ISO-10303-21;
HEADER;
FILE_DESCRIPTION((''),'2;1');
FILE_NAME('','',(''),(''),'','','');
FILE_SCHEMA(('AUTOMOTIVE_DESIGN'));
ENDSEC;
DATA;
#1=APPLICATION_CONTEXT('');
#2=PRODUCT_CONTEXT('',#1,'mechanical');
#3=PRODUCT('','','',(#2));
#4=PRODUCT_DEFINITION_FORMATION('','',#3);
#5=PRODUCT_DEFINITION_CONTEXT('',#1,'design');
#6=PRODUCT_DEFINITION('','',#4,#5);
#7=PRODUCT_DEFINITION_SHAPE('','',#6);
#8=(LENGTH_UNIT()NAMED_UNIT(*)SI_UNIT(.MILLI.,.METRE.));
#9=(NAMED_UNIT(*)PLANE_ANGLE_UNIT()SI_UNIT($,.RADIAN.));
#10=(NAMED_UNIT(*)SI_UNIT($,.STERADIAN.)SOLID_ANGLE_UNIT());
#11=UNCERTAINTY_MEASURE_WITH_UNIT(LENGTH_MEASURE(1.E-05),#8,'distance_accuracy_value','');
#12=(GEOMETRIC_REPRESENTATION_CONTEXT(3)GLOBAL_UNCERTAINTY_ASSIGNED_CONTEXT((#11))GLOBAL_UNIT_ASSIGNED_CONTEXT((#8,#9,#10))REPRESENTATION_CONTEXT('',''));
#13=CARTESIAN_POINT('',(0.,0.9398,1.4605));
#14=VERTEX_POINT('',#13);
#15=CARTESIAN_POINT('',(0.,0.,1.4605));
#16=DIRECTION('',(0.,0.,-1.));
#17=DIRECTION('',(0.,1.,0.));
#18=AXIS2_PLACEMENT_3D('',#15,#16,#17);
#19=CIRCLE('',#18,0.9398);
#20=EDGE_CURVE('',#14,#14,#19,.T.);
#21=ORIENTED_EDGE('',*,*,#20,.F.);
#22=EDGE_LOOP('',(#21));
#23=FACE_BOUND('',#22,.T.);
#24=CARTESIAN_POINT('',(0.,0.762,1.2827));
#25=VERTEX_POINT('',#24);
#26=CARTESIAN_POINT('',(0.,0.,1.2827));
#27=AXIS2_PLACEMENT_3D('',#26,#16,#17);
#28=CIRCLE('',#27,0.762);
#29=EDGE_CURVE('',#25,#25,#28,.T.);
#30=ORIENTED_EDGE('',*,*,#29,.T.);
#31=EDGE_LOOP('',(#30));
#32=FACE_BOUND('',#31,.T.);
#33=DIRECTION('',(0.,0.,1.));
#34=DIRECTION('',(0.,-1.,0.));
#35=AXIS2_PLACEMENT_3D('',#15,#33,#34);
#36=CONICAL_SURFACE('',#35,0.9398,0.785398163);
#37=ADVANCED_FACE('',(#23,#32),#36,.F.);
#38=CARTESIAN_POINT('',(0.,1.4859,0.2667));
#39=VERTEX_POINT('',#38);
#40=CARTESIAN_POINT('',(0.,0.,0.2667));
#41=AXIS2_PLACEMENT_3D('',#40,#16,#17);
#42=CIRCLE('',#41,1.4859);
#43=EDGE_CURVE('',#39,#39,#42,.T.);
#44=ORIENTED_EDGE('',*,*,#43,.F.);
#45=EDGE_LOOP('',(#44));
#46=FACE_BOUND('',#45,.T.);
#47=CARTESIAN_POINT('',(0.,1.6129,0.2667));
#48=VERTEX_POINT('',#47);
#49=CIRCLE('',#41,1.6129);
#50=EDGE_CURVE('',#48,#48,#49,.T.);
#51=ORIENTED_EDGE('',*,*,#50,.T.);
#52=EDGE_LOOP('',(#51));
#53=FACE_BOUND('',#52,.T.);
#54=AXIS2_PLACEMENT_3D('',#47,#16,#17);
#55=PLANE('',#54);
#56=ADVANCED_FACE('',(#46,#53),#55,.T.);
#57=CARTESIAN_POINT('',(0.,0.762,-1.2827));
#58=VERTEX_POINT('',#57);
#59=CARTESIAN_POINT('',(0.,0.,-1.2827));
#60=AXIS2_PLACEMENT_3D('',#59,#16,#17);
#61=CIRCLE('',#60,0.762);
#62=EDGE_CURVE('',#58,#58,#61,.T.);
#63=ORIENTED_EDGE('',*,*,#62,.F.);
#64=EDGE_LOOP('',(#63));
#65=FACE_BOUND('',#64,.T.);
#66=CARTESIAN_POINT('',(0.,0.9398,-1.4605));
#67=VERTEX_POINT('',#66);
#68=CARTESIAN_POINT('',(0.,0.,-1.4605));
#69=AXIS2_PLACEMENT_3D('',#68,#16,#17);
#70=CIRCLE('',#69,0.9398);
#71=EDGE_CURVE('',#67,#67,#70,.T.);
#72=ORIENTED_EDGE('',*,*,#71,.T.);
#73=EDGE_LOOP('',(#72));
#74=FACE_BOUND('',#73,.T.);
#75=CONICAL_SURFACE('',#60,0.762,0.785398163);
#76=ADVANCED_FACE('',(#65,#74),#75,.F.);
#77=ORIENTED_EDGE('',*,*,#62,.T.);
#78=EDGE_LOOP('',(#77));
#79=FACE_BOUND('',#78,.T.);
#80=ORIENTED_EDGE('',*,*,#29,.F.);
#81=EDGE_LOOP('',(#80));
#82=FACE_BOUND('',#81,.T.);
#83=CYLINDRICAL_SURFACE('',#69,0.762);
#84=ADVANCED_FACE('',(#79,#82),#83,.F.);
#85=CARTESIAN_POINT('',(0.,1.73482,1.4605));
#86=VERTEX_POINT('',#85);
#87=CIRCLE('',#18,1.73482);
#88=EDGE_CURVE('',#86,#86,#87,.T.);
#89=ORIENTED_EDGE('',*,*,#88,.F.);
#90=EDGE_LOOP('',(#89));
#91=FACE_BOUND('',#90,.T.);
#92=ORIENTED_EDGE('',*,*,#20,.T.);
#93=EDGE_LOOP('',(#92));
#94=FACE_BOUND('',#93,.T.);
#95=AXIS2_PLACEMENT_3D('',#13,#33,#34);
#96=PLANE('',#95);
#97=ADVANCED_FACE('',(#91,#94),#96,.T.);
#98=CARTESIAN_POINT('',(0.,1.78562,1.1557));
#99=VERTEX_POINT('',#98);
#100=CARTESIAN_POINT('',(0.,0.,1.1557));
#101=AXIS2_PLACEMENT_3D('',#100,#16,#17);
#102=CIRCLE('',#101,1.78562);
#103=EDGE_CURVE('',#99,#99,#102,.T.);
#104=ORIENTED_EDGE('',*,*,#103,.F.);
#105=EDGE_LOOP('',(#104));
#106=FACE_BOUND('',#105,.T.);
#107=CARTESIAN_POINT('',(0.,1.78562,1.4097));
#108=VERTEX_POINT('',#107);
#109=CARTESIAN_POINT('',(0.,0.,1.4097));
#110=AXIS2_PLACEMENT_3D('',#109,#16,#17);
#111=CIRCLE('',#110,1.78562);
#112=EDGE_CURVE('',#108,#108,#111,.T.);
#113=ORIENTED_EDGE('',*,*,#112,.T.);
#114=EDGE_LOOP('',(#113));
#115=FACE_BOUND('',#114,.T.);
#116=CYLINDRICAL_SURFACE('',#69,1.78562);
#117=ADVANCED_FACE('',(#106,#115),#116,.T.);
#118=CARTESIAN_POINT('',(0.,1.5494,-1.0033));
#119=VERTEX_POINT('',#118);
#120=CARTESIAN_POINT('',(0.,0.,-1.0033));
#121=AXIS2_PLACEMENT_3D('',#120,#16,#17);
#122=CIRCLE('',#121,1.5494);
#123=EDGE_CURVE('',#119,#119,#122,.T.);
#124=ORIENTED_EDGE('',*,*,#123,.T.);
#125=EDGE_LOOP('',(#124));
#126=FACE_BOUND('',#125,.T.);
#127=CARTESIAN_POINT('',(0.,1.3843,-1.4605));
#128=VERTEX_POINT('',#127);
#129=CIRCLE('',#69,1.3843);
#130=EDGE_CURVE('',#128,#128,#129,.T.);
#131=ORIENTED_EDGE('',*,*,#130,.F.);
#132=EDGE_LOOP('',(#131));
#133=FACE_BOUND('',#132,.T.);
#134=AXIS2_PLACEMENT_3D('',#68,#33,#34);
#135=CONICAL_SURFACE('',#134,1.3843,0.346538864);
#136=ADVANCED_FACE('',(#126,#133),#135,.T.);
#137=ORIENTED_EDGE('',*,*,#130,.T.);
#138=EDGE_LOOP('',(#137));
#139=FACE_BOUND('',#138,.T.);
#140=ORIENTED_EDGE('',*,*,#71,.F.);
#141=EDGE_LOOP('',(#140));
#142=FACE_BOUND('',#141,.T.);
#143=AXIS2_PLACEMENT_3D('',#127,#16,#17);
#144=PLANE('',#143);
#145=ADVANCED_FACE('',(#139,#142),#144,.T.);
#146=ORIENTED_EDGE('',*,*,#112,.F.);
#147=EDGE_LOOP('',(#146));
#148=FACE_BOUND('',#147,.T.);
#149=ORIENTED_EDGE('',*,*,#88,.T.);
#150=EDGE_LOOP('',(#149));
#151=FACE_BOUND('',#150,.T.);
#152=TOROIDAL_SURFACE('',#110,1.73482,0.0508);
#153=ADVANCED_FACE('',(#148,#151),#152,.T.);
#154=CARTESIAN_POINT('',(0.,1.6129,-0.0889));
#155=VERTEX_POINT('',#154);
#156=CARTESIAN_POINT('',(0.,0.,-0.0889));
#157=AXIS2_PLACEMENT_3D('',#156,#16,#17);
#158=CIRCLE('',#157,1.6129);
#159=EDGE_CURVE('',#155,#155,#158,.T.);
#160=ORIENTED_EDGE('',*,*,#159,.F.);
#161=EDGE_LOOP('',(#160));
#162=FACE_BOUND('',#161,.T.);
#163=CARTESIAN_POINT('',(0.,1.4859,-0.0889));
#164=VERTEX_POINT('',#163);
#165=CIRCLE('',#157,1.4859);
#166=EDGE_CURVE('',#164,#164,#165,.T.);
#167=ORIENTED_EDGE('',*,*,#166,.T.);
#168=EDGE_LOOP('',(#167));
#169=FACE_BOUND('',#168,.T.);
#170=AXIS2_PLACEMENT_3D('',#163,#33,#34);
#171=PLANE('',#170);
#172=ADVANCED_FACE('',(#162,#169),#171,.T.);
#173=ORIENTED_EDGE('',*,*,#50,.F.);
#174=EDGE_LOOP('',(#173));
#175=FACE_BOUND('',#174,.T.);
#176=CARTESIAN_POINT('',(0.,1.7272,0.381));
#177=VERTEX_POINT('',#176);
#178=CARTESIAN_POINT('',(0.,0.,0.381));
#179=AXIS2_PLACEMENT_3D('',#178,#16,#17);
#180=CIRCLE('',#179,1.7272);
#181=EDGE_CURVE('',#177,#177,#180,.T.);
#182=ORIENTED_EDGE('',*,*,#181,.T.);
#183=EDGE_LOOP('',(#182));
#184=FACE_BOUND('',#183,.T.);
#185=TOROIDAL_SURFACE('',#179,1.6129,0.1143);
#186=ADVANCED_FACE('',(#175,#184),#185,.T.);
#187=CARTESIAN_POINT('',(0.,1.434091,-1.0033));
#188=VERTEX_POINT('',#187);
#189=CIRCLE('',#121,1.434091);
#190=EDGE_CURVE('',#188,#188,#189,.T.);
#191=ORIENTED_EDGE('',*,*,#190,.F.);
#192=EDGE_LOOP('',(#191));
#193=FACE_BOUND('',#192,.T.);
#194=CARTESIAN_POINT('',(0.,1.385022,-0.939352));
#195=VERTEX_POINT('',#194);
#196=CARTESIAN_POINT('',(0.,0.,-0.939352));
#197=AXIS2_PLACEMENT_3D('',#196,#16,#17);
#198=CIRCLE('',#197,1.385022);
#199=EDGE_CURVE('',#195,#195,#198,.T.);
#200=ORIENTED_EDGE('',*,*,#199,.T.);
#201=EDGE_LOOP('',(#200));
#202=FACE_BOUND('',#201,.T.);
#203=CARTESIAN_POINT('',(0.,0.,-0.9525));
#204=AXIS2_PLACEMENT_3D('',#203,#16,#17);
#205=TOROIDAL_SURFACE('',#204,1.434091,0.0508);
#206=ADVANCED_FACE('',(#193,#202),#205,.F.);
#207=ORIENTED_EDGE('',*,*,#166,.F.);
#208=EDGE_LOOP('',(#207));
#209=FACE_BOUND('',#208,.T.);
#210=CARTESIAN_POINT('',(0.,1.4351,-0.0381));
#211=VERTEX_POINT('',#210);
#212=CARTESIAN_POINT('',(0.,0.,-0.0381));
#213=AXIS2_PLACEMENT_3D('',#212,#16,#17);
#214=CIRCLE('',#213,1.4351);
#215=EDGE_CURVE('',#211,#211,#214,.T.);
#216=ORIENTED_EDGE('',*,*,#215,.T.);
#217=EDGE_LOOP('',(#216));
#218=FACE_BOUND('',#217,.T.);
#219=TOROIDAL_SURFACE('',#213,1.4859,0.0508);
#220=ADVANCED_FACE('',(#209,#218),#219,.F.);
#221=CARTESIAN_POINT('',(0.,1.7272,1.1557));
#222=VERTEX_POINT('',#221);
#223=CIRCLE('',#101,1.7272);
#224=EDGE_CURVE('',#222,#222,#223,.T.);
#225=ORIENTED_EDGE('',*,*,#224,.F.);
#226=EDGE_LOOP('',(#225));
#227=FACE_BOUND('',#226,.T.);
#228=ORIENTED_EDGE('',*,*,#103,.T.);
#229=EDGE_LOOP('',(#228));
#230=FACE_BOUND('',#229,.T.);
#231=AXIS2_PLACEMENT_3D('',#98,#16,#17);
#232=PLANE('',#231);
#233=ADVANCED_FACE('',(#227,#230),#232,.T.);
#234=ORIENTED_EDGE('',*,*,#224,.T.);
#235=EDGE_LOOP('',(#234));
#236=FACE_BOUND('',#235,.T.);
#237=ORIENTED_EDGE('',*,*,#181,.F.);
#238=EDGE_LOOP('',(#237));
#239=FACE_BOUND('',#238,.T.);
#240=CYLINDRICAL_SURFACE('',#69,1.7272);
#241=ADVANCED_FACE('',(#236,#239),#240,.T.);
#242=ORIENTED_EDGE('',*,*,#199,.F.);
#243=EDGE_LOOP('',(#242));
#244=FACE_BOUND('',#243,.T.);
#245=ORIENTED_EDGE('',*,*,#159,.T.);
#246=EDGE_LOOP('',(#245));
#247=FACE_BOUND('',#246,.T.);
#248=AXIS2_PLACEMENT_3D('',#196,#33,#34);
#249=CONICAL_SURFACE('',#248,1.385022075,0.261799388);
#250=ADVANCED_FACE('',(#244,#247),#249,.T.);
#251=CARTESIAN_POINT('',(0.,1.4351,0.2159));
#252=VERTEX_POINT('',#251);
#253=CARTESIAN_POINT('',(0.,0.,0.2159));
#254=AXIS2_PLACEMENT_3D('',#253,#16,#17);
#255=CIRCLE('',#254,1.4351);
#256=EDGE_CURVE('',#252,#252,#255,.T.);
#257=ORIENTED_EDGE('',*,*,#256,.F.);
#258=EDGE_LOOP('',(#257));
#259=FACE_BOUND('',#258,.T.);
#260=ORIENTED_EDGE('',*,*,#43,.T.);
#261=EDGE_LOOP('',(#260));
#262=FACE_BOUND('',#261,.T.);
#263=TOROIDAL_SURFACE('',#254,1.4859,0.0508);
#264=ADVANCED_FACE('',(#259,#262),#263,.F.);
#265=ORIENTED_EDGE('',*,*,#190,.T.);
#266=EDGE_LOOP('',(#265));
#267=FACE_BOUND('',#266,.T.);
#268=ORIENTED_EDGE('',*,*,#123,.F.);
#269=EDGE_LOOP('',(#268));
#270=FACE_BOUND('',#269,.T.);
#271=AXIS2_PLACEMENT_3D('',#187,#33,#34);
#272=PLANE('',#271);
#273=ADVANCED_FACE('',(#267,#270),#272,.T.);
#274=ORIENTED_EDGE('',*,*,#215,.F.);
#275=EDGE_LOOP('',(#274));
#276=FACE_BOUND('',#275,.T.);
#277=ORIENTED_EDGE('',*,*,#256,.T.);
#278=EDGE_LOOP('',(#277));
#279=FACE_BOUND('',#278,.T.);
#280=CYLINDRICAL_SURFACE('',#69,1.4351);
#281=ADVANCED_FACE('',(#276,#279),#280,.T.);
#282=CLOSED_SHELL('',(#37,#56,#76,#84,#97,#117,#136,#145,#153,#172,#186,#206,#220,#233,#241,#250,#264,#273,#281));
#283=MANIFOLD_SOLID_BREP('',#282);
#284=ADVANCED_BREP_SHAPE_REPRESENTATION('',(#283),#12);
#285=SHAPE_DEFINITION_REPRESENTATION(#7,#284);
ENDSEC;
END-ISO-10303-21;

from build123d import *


with BuildPart() as part:
    # Sketch2 → Revolve1 (revolve)
    with BuildSketch(Plane(origin=(0, 0, 0), x_dir=(0, 0, -1), z_dir=(1, 0, 0))):
        with BuildLine():
            Line((-1.4605, 0.9398), (-1.4605, 1.73482))
            ThreePointArc((-1.4605, 1.73482), (-1.445621024, 1.770741024), (-1.4097, 1.78562))
            Line((-1.4097, 1.78562), (-1.1557, 1.78562))
            Line((-1.1557, 1.78562), (-1.1557, 1.7272))
            Line((-1.1557, 1.7272), (-0.381, 1.7272))
            ThreePointArc((-0.381, 1.7272), (-0.300177695, 1.693722305), (-0.2667, 1.6129))
            Line((-0.2667, 1.6129), (-0.2667, 1.4859))
            ThreePointArc((-0.2667, 1.4859), (-0.251821024, 1.449978976), (-0.2159, 1.4351))
            Line((-0.2159, 1.4351), (0.0381, 1.4351))
            ThreePointArc((0.0381, 1.4351), (0.074021024, 1.449978976), (0.0889, 1.4859))
            Line((0.0889, 1.4859), (0.0889, 1.6129))
            Line((0.0889, 1.6129), (0.939351993, 1.385022075))
            ThreePointArc((0.939351993, 1.385022075), (0.983425081, 1.393788758), (1.0033, 1.434091107))
            Line((1.0033, 1.434091107), (1.0033, 1.5494))
            Line((1.0033, 1.5494), (1.4605, 1.3843))
            Line((1.4605, 1.3843), (1.4605, 0.9398))
            Line((1.4605, 0.9398), (1.2827, 0.762))
            Line((1.2827, 0.762), (-1.2827, 0.762))
            Line((-1.2827, 0.762), (-1.4605, 0.9398))
        make_face()
    revolve(axis=Axis((0, 0, -1.4605), (0, 0, 1)))


solid = part.part
